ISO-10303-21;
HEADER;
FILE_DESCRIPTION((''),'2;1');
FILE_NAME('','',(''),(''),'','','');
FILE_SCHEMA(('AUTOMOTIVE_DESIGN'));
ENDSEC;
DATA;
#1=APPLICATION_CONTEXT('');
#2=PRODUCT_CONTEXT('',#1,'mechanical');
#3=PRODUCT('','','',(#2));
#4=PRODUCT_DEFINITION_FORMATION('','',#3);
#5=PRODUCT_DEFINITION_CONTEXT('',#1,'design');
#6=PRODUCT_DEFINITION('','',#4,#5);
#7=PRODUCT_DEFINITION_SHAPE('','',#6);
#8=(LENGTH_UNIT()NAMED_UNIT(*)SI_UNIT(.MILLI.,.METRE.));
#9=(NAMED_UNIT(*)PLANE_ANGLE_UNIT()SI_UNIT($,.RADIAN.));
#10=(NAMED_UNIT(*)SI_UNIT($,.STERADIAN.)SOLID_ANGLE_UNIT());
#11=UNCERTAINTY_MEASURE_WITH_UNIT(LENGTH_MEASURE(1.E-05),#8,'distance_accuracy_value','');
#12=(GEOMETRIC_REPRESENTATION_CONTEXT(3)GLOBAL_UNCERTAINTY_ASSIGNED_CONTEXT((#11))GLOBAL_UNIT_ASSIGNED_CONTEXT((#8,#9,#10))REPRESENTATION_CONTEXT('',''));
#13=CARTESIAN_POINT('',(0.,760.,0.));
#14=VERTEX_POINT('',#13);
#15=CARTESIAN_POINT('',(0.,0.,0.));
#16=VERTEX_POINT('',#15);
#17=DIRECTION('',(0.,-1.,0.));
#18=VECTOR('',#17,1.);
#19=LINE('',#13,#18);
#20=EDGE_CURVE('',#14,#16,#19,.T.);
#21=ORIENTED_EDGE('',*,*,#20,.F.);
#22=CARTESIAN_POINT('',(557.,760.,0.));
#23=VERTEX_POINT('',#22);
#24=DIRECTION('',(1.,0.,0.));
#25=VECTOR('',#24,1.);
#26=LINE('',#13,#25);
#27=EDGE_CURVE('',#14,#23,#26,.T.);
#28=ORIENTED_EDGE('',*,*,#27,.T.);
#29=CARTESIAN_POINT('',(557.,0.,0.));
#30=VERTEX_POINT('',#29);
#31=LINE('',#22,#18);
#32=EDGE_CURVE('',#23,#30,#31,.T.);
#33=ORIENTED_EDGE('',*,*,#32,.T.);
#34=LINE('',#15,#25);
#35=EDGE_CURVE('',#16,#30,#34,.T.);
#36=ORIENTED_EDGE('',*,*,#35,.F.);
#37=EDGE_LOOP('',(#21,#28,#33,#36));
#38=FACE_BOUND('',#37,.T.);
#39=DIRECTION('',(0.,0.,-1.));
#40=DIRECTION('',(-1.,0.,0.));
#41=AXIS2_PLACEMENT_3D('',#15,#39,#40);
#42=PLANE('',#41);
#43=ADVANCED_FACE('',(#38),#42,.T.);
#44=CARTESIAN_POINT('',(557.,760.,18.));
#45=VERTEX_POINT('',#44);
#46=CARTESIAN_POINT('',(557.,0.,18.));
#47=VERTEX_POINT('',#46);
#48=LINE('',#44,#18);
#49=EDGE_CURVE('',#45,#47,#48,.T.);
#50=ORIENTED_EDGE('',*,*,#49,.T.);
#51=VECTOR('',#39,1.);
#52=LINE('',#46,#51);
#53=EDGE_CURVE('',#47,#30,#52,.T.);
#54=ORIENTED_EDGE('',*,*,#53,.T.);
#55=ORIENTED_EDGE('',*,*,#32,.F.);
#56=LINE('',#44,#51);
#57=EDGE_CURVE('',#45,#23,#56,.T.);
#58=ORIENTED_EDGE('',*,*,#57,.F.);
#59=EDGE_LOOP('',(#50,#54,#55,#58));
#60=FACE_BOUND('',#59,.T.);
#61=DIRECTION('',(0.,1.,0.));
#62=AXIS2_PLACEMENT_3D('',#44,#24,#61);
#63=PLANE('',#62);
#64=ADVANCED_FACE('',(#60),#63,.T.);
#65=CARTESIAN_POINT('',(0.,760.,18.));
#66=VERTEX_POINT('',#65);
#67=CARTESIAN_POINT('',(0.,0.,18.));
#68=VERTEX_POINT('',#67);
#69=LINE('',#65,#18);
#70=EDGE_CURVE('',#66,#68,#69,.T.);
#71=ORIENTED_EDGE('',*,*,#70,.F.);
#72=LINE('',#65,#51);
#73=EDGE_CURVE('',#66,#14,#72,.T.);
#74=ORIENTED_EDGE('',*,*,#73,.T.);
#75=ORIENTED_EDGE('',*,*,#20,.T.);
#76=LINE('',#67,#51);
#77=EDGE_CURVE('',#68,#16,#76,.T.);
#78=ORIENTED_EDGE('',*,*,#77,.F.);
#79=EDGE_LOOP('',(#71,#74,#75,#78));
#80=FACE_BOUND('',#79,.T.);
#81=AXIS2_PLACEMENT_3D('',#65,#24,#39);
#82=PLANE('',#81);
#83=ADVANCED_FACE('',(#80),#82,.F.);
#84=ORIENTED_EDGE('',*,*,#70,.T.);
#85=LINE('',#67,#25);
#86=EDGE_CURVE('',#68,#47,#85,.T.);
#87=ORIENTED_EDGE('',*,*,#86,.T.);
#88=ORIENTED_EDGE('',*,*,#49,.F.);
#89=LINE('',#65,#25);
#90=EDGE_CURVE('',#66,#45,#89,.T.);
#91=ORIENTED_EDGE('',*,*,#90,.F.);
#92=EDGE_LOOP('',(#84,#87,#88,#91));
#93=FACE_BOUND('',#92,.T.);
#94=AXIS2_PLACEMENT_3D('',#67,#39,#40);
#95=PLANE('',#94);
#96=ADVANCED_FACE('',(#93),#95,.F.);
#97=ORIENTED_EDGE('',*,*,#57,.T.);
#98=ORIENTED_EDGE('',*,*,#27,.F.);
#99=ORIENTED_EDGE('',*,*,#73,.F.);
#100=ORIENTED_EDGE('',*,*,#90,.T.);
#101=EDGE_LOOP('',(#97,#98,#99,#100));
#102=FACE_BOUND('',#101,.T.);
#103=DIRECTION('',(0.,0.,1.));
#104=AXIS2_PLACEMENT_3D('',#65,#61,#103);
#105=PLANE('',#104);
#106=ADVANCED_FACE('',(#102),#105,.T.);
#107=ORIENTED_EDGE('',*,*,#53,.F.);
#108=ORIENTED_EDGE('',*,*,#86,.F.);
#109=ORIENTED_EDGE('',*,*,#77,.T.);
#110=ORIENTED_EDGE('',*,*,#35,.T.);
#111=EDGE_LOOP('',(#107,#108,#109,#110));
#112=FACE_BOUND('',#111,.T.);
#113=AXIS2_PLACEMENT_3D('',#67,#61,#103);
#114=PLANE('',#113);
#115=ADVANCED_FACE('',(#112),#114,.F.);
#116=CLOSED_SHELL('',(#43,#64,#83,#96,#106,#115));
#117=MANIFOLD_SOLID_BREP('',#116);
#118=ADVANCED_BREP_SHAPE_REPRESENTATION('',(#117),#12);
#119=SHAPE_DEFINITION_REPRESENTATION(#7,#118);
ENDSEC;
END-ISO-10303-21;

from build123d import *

# Parameters (mm, degrees)
SZKIC1_W                    = 557
SZKIC1_H                    = 760
DODANIE_WYCI_GNI_CIE1_DEPTH = 18


with BuildPart() as part:
    # Szkic1 → Dodanie-wyciągnięcie1 (new body)
    with BuildSketch(Plane.XY):
        with Locations((278.5, 380)):
            Rectangle(SZKIC1_W, SZKIC1_H)
    extrude(amount=DODANIE_WYCI_GNI_CIE1_DEPTH)


solid = part.part
